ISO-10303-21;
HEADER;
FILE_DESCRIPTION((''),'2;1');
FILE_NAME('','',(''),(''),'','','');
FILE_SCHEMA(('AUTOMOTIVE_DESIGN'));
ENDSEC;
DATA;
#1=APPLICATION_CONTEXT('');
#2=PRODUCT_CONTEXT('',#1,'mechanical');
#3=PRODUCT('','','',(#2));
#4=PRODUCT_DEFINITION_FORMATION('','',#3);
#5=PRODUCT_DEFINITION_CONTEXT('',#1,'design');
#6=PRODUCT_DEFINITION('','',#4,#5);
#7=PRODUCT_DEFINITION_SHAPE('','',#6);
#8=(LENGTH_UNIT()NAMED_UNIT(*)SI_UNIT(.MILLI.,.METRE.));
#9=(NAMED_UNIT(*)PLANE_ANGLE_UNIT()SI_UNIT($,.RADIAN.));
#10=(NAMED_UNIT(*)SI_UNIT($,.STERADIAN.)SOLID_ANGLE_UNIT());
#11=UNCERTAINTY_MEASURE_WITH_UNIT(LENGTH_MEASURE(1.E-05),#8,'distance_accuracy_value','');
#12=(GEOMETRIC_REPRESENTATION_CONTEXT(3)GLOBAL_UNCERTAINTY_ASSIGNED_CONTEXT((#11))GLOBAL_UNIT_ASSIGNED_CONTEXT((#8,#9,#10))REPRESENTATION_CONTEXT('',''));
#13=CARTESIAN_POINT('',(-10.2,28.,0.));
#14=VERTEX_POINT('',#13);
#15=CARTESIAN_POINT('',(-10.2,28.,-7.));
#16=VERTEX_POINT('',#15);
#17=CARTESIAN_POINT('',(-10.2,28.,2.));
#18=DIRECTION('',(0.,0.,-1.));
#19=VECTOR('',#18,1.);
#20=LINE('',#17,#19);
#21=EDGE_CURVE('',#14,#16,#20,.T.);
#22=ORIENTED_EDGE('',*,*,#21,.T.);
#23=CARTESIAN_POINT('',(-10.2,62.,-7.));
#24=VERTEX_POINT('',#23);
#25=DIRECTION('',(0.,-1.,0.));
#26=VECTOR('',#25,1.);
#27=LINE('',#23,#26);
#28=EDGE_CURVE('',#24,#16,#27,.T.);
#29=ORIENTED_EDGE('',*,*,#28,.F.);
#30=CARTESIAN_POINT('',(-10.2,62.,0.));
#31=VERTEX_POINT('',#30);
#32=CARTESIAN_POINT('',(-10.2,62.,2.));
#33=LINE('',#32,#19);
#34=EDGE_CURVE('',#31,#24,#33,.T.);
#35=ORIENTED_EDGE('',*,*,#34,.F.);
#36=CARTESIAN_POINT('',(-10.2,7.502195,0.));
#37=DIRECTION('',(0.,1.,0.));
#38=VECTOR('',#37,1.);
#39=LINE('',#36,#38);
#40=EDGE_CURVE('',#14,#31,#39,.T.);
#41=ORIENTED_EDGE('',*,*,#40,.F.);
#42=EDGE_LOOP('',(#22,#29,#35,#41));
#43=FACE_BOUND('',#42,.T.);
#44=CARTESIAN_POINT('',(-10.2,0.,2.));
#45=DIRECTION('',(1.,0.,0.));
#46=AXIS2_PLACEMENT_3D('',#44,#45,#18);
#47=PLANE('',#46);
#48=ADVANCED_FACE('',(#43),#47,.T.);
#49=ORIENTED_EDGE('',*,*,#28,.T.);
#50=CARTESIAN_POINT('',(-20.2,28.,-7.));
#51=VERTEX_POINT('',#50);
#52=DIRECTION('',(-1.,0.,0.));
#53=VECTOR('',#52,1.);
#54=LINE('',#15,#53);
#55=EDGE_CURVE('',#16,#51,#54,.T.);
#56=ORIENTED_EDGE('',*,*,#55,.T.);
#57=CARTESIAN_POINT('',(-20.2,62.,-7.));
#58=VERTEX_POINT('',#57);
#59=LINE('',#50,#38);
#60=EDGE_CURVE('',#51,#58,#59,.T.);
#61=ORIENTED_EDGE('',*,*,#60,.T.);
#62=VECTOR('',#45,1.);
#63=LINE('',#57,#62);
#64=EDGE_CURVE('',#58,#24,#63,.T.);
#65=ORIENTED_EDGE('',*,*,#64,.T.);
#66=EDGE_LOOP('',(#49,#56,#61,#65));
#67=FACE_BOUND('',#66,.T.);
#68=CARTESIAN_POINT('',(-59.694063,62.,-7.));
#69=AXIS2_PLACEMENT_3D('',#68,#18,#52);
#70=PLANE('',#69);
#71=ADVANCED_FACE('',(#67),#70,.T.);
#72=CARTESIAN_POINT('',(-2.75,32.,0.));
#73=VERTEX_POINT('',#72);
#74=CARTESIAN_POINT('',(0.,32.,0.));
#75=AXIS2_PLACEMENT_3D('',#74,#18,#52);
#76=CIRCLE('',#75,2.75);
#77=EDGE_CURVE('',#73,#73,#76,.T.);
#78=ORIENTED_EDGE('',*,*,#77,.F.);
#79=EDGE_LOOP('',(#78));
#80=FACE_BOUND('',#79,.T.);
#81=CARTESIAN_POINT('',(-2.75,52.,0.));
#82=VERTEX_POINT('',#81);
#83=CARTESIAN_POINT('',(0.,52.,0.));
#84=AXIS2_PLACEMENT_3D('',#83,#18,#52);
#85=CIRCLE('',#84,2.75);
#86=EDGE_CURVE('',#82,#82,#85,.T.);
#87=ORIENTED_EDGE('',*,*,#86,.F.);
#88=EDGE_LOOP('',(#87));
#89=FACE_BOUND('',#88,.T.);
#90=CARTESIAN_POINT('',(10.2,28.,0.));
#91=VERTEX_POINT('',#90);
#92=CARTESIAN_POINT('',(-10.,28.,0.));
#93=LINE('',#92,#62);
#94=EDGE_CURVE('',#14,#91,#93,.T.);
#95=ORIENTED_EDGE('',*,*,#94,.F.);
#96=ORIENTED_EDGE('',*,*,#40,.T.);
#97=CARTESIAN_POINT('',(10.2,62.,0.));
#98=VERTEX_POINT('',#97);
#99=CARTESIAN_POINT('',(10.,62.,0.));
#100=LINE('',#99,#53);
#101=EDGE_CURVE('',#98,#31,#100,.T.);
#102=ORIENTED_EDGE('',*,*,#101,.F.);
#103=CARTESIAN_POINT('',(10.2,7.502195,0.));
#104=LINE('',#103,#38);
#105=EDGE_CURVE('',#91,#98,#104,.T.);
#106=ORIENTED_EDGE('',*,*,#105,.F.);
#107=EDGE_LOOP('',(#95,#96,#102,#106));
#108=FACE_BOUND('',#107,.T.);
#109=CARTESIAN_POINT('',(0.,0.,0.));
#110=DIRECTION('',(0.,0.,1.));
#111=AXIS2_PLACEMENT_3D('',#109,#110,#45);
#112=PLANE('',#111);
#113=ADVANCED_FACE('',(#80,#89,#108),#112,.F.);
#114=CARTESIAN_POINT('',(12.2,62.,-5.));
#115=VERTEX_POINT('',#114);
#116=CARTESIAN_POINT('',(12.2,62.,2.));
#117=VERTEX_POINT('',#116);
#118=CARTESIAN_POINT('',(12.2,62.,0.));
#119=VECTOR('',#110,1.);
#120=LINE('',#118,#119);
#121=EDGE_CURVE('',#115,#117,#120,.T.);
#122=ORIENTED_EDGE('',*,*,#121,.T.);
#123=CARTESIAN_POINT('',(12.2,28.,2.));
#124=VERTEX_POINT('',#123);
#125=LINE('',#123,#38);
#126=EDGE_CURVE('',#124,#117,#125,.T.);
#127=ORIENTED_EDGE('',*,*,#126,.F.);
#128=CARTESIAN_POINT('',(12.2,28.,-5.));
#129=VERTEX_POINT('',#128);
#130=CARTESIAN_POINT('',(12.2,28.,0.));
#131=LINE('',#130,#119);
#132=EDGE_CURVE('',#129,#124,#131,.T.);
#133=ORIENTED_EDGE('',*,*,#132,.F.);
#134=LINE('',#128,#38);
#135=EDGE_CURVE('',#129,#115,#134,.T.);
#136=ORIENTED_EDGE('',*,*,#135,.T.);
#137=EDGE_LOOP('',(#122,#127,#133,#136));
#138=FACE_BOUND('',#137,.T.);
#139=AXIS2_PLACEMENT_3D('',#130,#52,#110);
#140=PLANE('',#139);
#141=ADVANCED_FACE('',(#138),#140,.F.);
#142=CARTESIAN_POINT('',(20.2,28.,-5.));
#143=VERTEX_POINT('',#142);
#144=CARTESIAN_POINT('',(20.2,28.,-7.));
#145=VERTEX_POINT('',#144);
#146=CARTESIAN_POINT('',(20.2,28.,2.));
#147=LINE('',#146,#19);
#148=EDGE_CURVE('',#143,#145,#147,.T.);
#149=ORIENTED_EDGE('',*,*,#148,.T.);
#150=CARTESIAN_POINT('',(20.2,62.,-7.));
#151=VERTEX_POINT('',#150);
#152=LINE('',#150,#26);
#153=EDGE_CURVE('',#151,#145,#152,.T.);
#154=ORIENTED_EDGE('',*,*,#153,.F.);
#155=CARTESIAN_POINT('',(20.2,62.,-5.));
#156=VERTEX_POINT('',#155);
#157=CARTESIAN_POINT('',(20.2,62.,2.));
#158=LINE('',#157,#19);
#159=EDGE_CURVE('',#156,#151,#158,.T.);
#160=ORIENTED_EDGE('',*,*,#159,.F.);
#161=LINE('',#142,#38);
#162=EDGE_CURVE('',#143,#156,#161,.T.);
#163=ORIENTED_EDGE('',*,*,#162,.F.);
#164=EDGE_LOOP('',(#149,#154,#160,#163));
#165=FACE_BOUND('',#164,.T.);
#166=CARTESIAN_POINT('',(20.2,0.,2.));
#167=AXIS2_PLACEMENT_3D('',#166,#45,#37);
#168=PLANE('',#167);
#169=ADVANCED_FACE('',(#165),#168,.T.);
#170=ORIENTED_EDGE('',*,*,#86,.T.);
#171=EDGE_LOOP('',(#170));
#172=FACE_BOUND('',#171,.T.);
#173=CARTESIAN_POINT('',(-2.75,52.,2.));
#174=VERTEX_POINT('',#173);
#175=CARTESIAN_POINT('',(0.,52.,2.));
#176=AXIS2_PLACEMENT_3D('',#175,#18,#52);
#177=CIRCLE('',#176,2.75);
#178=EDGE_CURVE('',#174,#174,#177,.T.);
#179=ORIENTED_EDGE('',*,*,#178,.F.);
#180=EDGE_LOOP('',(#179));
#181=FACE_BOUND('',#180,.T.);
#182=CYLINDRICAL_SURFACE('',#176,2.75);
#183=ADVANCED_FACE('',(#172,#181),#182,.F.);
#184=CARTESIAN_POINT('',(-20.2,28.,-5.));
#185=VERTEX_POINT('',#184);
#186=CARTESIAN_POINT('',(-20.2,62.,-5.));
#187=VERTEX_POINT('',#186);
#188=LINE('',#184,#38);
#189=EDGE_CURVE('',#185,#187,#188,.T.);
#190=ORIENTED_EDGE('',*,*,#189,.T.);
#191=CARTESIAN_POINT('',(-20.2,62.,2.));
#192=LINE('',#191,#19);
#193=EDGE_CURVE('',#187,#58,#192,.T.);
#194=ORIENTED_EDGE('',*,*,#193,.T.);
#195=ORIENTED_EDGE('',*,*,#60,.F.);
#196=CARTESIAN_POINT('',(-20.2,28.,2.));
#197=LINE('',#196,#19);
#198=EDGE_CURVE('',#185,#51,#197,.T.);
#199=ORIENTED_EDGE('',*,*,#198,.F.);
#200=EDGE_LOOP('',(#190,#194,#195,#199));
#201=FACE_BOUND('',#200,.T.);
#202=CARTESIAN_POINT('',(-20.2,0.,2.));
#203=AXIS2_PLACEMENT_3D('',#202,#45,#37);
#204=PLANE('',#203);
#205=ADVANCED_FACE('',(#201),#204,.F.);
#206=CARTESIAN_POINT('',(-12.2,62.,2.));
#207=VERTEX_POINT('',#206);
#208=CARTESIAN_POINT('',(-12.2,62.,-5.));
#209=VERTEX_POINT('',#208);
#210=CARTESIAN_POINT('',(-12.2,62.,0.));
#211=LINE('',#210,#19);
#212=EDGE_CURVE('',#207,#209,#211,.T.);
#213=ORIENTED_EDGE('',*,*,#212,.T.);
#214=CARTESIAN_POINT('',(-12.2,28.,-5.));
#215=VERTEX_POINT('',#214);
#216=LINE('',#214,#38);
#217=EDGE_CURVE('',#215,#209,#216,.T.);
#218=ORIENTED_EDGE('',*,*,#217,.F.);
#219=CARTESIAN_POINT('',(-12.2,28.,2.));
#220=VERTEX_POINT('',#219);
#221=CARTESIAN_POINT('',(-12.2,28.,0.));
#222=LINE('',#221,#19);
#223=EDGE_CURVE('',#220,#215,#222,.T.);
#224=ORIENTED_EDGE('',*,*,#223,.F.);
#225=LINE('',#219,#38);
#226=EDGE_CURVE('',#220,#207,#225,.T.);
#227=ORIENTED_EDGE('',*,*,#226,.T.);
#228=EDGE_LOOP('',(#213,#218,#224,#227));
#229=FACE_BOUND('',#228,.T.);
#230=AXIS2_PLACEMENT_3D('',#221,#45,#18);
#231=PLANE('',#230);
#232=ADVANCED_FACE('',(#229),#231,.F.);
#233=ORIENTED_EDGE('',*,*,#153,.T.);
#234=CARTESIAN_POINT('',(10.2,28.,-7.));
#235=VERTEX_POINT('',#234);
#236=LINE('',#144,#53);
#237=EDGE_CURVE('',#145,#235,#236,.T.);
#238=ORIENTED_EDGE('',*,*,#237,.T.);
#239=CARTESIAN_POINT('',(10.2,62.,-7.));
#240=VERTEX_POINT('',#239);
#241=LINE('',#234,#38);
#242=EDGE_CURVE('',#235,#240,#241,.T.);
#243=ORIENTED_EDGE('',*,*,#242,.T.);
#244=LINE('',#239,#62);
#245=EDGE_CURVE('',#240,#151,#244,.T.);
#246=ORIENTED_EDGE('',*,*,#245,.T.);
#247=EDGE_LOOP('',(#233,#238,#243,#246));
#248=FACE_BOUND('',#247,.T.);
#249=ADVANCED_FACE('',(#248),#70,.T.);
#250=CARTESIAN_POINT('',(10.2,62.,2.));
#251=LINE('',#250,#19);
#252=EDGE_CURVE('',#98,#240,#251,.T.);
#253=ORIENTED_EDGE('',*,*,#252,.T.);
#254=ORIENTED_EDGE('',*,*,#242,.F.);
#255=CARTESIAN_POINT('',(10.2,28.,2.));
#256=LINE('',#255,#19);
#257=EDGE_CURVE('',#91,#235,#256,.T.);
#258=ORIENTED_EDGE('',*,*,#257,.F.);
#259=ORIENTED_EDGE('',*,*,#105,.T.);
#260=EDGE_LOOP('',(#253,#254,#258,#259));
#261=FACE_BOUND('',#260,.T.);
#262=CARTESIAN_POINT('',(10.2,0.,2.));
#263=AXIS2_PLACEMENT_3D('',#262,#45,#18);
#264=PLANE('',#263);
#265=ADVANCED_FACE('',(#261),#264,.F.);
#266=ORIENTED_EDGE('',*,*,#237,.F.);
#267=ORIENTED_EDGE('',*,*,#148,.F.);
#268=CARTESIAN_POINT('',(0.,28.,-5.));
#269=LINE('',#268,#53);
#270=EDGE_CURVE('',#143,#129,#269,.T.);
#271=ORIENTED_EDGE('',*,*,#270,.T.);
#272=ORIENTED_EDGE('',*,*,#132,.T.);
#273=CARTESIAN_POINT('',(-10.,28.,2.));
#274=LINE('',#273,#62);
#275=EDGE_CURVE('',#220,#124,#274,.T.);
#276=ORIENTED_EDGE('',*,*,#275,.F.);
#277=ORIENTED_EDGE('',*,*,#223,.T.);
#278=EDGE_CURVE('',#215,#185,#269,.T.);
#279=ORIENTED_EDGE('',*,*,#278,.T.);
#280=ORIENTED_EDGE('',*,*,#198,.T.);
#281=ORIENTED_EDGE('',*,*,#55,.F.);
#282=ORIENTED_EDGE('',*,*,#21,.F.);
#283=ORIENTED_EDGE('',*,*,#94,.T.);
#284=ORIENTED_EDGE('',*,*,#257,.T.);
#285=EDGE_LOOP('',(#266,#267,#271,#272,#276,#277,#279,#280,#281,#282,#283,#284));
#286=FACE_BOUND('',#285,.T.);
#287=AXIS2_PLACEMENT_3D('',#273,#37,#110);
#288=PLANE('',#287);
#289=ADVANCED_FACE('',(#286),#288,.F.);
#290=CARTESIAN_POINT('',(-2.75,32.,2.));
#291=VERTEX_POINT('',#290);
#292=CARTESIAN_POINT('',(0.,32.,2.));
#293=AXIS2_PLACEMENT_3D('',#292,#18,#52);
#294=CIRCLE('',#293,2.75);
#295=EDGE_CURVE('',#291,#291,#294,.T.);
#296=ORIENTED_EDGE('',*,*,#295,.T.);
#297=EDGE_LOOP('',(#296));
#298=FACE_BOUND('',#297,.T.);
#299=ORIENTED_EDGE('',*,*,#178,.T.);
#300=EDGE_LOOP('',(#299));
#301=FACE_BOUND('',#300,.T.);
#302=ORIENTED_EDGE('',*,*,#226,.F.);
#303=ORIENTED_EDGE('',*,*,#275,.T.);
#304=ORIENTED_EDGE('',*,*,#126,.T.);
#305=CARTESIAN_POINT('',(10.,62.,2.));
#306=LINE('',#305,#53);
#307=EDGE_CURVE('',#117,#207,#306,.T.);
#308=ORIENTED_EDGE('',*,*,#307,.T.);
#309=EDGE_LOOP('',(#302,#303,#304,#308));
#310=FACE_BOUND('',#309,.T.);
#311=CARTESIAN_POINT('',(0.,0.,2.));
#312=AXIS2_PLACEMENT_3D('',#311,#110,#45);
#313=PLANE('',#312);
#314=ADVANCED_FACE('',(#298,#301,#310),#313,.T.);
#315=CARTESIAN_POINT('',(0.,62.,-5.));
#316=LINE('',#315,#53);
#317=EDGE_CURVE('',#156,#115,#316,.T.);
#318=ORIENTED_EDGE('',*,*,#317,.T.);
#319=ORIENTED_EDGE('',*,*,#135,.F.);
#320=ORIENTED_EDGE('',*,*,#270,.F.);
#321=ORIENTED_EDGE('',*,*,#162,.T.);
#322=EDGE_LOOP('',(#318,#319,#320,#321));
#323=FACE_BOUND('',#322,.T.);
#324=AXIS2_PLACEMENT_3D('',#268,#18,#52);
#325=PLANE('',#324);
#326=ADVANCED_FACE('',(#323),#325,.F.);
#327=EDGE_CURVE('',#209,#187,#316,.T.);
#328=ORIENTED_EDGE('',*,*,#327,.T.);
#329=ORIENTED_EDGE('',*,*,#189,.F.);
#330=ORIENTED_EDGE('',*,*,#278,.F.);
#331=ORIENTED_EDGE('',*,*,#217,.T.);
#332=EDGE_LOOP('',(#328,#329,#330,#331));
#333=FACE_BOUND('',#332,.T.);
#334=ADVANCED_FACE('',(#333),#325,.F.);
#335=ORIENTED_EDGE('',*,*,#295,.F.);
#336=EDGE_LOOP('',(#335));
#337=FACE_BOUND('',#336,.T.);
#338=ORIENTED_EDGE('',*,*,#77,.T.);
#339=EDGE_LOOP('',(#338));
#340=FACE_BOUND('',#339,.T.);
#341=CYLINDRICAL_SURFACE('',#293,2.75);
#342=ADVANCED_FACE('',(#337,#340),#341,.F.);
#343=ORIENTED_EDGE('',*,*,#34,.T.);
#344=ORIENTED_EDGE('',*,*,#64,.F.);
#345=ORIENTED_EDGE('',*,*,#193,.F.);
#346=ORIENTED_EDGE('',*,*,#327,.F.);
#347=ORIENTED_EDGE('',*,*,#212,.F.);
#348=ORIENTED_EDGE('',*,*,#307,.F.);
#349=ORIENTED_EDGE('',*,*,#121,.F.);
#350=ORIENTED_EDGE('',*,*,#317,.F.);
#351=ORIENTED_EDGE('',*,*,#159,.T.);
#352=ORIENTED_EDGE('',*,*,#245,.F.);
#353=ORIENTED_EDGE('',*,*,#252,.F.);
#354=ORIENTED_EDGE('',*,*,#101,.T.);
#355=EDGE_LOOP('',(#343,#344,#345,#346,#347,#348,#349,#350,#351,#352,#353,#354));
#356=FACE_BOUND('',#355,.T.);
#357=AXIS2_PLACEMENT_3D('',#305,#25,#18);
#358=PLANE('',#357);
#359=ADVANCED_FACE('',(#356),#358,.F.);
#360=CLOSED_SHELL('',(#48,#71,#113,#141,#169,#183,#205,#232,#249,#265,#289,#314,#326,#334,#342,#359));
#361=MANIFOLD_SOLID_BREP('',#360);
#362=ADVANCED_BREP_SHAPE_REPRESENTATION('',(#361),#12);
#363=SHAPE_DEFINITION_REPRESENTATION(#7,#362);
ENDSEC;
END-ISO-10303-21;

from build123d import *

# Parameters (mm, degrees)
SKETCH1_W             = 20
SKETCH1_H             = 34
SKETCH1_R             = 2.75
BOSS_EXTRUDE1_DEPTH   = 2
SKETCH2_W             = 10
SKETCH2_H             = 34
BOSS_EXTRUDE2_DEPTH   = 2
BOSS_EXTRUDE2_2_DEPTH = 2
SKETCH3_W             = 10
SKETCH3_H             = 34
BOSS_EXTRUDE3_DEPTH   = 7
SKETCH4_W             = 20.4
SKETCH4_H             = 2
BOSS_EXTRUDE4_DEPTH   = 34
CUT_EXTRUDE2_DEPTH    = 41.162669234
SKETCH6_R             = 2.75
CUT_EXTRUDE3_DEPTH    = 66.582314689


with BuildPart() as part:
    # Sketch1 → Boss-Extrude1 (new body)
    with BuildSketch(Plane.XY):
        with Locations((0, 45)):
            Rectangle(SKETCH1_W, SKETCH1_H)
        with Locations((0, 32)):
            Circle(SKETCH1_R, mode=Mode.SUBTRACT)
        with Locations((0, 52)):
            Circle(SKETCH1_R, mode=Mode.SUBTRACT)
    extrude(amount=BOSS_EXTRUDE1_DEPTH)



with BuildPart() as body_2:
    # Sketch2 → Boss-Extrude2 (new body)
    with BuildSketch(Plane(origin=(0, 0, 0), x_dir=(-1, 0, 0), z_dir=(0, 0, -1))):
        with Locations((15.2, 45)):
            Rectangle(SKETCH2_W, SKETCH2_H)
    extrude(amount=-BOSS_EXTRUDE2_DEPTH)



with BuildPart() as body_3:
    # Sketch2 → Boss-Extrude2 2 (new body)
    with BuildSketch(Plane(origin=(0, 0, 0), x_dir=(-1, 0, 0), z_dir=(0, 0, -1))):
        with Locations((-15.2, 45)):
            Rectangle(SKETCH2_W, SKETCH2_H)
    extrude(amount=-BOSS_EXTRUDE2_2_DEPTH)


with BuildPart() as body_2_1:
    add(body_2.part)

    add(body_3.part)  # Boss-Extrude3 merges body 3
    # Sketch3 → Boss-Extrude3 (add)
    with BuildSketch(Plane(origin=(0, 0, 0), x_dir=(-1, 0, 0), z_dir=(0, 0, -1))):
        with Locations((-15.2, 45)):
            Rectangle(SKETCH3_W, SKETCH3_H)
        with Locations((15.2, 45)):
            Rectangle(SKETCH3_W, SKETCH3_H)
    extrude(amount=BOSS_EXTRUDE3_DEPTH)


with BuildPart() as part_1:
    add(part.part)

    add(body_2_1.part)  # Boss-Extrude4 merges body 2
    # Sketch4 → Boss-Extrude4 (add)
    with BuildSketch(Plane(origin=(0, 62, 0), x_dir=(1, 0, 0), z_dir=(0, 1, 0))):
        with Locations((0, -1)):
            Rectangle(SKETCH4_W, SKETCH4_H)
    extrude(amount=-BOSS_EXTRUDE4_DEPTH)

    # Sketch5 → Cut-Extrude2 (cut, through all)
    with BuildSketch(Plane(origin=(0, 62, 0), x_dir=(1, 0, 0), z_dir=(0, 1, 0))):
        Polygon((12.2, 0), (12.2, -2), (20.2, -2), (20.2, 5), (12.2, 5), align=None)
        Polygon((-12.2, -2), (-12.2, 0), (-12.2, 5), (-20.2, 5), (-20.2, -2), align=None)
    extrude(amount=-CUT_EXTRUDE2_DEPTH, mode=Mode.SUBTRACT)

    # Sketch6 → Cut-Extrude3 (cut, through all)
    with BuildSketch(Plane(origin=(0, 0, 0), x_dir=(-1, 0, 0), z_dir=(0, 0, -1))):
        with Locations((0, 52)):
            Circle(SKETCH6_R)
        with Locations((0, 32)):
            Circle(SKETCH6_R)
    extrude(amount=-CUT_EXTRUDE3_DEPTH, mode=Mode.SUBTRACT)


solid = part_1.part
